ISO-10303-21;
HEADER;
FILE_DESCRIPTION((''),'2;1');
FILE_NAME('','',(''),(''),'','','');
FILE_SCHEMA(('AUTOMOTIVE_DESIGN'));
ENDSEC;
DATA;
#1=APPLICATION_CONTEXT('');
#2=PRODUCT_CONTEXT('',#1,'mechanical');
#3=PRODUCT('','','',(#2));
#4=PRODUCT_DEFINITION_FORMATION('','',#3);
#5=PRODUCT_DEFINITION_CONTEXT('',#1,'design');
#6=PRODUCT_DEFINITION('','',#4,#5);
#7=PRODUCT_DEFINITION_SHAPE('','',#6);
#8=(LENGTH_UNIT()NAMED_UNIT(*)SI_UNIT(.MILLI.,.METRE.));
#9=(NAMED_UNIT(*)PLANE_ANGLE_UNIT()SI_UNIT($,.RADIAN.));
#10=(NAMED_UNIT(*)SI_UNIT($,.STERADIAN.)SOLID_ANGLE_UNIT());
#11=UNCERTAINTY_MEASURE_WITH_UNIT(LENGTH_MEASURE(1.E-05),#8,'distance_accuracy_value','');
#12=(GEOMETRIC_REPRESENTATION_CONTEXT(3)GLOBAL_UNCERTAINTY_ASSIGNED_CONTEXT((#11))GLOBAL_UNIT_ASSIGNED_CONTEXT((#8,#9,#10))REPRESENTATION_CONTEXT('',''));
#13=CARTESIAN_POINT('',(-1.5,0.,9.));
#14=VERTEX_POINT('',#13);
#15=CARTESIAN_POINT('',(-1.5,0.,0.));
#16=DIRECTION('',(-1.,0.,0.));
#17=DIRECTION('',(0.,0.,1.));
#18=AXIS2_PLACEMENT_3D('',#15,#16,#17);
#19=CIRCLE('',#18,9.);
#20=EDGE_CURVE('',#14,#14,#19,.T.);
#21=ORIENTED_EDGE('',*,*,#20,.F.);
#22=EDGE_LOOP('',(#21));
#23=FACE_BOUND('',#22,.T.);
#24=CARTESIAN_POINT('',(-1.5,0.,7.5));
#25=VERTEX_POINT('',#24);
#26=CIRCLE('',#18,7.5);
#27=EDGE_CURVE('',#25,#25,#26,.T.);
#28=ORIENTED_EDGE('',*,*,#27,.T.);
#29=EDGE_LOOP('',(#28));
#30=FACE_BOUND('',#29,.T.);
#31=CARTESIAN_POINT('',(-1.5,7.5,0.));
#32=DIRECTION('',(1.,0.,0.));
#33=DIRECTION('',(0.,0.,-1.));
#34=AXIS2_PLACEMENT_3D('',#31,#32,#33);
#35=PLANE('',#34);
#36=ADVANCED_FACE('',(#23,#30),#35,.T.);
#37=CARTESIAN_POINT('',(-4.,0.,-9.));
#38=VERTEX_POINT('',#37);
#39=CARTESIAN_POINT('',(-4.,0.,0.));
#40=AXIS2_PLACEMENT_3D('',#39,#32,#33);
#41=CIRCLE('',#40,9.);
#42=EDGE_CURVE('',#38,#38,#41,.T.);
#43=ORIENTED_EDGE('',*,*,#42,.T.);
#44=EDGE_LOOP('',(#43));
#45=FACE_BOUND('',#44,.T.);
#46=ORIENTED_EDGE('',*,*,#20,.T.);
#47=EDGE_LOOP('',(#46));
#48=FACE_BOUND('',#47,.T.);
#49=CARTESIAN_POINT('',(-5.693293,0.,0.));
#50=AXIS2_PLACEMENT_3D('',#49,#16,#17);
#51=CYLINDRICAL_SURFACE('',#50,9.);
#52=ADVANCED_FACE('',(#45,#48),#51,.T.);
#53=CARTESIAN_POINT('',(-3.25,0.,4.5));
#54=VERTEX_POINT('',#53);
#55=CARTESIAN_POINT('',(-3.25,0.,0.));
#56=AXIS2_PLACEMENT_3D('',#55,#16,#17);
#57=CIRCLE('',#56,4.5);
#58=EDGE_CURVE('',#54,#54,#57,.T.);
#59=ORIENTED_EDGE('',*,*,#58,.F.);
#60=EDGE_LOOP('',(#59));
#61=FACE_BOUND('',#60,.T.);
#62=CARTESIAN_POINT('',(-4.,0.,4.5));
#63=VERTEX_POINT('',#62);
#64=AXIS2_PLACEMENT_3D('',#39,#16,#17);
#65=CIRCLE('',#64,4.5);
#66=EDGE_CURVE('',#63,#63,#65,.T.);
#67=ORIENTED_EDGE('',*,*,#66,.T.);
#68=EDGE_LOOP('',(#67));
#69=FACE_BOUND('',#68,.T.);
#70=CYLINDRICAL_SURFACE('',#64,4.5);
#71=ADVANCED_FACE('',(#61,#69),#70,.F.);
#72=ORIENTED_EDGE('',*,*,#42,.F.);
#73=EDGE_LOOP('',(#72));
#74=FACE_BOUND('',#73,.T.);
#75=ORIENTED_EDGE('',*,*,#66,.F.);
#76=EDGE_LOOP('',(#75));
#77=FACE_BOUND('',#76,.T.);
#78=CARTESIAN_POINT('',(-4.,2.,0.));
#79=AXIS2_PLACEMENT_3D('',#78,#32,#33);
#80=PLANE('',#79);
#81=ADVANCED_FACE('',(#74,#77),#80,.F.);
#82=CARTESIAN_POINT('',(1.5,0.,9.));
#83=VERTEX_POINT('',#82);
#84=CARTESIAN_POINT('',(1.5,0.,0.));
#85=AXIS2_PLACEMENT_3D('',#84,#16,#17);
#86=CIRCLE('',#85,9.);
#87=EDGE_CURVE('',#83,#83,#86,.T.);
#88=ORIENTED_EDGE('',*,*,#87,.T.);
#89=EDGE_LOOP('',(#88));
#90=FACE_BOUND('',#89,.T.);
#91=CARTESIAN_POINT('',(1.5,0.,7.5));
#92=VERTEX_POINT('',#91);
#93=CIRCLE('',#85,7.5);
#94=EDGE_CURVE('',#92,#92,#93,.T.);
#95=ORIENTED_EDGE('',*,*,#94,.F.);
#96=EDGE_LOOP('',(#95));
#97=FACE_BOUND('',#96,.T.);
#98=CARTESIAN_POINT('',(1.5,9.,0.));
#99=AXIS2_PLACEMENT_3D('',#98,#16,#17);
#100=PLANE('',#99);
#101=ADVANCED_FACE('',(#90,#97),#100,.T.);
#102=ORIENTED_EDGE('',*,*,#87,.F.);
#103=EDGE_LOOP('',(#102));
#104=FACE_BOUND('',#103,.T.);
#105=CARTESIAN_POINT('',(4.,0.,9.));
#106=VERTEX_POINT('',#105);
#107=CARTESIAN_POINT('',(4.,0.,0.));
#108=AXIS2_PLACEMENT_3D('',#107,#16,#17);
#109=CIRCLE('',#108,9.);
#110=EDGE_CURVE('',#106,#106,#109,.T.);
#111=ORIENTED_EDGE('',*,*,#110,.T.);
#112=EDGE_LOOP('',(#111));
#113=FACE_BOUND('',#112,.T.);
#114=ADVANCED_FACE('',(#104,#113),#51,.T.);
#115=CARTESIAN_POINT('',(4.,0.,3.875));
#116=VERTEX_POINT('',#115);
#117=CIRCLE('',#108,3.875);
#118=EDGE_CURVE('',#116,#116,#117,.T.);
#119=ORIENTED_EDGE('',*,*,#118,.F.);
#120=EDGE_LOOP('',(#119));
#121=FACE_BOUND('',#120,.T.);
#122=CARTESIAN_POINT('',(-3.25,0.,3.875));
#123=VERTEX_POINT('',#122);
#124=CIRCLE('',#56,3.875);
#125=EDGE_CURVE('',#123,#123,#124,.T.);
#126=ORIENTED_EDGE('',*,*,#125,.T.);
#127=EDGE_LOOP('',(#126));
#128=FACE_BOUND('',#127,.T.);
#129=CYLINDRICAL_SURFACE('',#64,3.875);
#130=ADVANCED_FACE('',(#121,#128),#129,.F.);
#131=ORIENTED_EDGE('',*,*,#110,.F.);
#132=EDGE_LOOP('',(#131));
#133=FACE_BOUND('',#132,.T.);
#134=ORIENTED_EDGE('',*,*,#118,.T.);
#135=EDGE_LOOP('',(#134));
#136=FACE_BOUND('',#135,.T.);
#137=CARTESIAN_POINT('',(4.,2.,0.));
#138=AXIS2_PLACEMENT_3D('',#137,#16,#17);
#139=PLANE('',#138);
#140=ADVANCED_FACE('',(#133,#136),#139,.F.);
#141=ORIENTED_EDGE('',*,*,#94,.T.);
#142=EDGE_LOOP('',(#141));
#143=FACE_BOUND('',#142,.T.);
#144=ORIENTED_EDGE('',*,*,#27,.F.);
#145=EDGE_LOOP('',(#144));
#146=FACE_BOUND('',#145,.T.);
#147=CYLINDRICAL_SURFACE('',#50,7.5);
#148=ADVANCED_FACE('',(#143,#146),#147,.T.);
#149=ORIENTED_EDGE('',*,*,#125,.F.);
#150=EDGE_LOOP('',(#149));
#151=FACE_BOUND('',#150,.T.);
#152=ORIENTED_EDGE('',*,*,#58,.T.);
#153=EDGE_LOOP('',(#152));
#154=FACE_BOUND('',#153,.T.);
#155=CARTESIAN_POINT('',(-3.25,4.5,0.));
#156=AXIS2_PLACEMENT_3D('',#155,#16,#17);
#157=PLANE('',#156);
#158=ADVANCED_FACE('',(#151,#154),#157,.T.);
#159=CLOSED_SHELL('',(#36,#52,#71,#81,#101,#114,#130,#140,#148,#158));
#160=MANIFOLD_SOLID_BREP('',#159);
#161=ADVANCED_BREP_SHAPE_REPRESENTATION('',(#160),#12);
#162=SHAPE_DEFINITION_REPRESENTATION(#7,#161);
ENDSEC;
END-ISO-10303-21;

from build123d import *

# Parameters (mm, degrees)
SKETCH1_W = 8
SKETCH1_H = 8


with BuildPart() as part:
    # Sketch1 → Revolve1 (revolve)
    with BuildSketch(Plane.XY, mode=Mode.PRIVATE) as revolve1_sk:
        with Locations((0, 6)):
            Rectangle(SKETCH1_W, SKETCH1_H)
    revolve(revolve1_sk.sketch.rotate(Axis((0, 0, 0), (1, 0, 0)), 90), axis=Axis((0, 0, 0), (1, 0, 0)))

    # Sketch2 → Cut-Revolve1 (revolve, cut)
    with BuildSketch(Plane.XY, mode=Mode.PRIVATE) as cut_revolve1_sk:
        Polygon((-4, 4.5), (-3.25, 4.5), (-3.25, 3.875), (4, 3.875), (4, 1.375), (-4, 1.375), align=None)
    revolve(cut_revolve1_sk.sketch.rotate(Axis((-4, 0, 0), (1, 0, 0)), 90), axis=Axis((-4, 0, 0), (1, 0, 0)), mode=Mode.SUBTRACT)

    # Sketch5 → Cut-Revolve2 (revolve, cut)
    with BuildSketch(Plane.XY, mode=Mode.PRIVATE) as cut_revolve2_sk:
        Polygon((-5.693293246, 11), (6.09167682, 11), (6.09167682, 9), (1.5, 9), (1.5, 7.5), (-1.5, 7.5), (-1.5, 9), (-5.693293246, 9), align=None)
    revolve(cut_revolve2_sk.sketch.rotate(Axis((-5.693293246, 0, 0), (1, 0, 0)), 90), axis=Axis((-5.693293246, 0, 0), (1, 0, 0)), mode=Mode.SUBTRACT)


solid = part.part
